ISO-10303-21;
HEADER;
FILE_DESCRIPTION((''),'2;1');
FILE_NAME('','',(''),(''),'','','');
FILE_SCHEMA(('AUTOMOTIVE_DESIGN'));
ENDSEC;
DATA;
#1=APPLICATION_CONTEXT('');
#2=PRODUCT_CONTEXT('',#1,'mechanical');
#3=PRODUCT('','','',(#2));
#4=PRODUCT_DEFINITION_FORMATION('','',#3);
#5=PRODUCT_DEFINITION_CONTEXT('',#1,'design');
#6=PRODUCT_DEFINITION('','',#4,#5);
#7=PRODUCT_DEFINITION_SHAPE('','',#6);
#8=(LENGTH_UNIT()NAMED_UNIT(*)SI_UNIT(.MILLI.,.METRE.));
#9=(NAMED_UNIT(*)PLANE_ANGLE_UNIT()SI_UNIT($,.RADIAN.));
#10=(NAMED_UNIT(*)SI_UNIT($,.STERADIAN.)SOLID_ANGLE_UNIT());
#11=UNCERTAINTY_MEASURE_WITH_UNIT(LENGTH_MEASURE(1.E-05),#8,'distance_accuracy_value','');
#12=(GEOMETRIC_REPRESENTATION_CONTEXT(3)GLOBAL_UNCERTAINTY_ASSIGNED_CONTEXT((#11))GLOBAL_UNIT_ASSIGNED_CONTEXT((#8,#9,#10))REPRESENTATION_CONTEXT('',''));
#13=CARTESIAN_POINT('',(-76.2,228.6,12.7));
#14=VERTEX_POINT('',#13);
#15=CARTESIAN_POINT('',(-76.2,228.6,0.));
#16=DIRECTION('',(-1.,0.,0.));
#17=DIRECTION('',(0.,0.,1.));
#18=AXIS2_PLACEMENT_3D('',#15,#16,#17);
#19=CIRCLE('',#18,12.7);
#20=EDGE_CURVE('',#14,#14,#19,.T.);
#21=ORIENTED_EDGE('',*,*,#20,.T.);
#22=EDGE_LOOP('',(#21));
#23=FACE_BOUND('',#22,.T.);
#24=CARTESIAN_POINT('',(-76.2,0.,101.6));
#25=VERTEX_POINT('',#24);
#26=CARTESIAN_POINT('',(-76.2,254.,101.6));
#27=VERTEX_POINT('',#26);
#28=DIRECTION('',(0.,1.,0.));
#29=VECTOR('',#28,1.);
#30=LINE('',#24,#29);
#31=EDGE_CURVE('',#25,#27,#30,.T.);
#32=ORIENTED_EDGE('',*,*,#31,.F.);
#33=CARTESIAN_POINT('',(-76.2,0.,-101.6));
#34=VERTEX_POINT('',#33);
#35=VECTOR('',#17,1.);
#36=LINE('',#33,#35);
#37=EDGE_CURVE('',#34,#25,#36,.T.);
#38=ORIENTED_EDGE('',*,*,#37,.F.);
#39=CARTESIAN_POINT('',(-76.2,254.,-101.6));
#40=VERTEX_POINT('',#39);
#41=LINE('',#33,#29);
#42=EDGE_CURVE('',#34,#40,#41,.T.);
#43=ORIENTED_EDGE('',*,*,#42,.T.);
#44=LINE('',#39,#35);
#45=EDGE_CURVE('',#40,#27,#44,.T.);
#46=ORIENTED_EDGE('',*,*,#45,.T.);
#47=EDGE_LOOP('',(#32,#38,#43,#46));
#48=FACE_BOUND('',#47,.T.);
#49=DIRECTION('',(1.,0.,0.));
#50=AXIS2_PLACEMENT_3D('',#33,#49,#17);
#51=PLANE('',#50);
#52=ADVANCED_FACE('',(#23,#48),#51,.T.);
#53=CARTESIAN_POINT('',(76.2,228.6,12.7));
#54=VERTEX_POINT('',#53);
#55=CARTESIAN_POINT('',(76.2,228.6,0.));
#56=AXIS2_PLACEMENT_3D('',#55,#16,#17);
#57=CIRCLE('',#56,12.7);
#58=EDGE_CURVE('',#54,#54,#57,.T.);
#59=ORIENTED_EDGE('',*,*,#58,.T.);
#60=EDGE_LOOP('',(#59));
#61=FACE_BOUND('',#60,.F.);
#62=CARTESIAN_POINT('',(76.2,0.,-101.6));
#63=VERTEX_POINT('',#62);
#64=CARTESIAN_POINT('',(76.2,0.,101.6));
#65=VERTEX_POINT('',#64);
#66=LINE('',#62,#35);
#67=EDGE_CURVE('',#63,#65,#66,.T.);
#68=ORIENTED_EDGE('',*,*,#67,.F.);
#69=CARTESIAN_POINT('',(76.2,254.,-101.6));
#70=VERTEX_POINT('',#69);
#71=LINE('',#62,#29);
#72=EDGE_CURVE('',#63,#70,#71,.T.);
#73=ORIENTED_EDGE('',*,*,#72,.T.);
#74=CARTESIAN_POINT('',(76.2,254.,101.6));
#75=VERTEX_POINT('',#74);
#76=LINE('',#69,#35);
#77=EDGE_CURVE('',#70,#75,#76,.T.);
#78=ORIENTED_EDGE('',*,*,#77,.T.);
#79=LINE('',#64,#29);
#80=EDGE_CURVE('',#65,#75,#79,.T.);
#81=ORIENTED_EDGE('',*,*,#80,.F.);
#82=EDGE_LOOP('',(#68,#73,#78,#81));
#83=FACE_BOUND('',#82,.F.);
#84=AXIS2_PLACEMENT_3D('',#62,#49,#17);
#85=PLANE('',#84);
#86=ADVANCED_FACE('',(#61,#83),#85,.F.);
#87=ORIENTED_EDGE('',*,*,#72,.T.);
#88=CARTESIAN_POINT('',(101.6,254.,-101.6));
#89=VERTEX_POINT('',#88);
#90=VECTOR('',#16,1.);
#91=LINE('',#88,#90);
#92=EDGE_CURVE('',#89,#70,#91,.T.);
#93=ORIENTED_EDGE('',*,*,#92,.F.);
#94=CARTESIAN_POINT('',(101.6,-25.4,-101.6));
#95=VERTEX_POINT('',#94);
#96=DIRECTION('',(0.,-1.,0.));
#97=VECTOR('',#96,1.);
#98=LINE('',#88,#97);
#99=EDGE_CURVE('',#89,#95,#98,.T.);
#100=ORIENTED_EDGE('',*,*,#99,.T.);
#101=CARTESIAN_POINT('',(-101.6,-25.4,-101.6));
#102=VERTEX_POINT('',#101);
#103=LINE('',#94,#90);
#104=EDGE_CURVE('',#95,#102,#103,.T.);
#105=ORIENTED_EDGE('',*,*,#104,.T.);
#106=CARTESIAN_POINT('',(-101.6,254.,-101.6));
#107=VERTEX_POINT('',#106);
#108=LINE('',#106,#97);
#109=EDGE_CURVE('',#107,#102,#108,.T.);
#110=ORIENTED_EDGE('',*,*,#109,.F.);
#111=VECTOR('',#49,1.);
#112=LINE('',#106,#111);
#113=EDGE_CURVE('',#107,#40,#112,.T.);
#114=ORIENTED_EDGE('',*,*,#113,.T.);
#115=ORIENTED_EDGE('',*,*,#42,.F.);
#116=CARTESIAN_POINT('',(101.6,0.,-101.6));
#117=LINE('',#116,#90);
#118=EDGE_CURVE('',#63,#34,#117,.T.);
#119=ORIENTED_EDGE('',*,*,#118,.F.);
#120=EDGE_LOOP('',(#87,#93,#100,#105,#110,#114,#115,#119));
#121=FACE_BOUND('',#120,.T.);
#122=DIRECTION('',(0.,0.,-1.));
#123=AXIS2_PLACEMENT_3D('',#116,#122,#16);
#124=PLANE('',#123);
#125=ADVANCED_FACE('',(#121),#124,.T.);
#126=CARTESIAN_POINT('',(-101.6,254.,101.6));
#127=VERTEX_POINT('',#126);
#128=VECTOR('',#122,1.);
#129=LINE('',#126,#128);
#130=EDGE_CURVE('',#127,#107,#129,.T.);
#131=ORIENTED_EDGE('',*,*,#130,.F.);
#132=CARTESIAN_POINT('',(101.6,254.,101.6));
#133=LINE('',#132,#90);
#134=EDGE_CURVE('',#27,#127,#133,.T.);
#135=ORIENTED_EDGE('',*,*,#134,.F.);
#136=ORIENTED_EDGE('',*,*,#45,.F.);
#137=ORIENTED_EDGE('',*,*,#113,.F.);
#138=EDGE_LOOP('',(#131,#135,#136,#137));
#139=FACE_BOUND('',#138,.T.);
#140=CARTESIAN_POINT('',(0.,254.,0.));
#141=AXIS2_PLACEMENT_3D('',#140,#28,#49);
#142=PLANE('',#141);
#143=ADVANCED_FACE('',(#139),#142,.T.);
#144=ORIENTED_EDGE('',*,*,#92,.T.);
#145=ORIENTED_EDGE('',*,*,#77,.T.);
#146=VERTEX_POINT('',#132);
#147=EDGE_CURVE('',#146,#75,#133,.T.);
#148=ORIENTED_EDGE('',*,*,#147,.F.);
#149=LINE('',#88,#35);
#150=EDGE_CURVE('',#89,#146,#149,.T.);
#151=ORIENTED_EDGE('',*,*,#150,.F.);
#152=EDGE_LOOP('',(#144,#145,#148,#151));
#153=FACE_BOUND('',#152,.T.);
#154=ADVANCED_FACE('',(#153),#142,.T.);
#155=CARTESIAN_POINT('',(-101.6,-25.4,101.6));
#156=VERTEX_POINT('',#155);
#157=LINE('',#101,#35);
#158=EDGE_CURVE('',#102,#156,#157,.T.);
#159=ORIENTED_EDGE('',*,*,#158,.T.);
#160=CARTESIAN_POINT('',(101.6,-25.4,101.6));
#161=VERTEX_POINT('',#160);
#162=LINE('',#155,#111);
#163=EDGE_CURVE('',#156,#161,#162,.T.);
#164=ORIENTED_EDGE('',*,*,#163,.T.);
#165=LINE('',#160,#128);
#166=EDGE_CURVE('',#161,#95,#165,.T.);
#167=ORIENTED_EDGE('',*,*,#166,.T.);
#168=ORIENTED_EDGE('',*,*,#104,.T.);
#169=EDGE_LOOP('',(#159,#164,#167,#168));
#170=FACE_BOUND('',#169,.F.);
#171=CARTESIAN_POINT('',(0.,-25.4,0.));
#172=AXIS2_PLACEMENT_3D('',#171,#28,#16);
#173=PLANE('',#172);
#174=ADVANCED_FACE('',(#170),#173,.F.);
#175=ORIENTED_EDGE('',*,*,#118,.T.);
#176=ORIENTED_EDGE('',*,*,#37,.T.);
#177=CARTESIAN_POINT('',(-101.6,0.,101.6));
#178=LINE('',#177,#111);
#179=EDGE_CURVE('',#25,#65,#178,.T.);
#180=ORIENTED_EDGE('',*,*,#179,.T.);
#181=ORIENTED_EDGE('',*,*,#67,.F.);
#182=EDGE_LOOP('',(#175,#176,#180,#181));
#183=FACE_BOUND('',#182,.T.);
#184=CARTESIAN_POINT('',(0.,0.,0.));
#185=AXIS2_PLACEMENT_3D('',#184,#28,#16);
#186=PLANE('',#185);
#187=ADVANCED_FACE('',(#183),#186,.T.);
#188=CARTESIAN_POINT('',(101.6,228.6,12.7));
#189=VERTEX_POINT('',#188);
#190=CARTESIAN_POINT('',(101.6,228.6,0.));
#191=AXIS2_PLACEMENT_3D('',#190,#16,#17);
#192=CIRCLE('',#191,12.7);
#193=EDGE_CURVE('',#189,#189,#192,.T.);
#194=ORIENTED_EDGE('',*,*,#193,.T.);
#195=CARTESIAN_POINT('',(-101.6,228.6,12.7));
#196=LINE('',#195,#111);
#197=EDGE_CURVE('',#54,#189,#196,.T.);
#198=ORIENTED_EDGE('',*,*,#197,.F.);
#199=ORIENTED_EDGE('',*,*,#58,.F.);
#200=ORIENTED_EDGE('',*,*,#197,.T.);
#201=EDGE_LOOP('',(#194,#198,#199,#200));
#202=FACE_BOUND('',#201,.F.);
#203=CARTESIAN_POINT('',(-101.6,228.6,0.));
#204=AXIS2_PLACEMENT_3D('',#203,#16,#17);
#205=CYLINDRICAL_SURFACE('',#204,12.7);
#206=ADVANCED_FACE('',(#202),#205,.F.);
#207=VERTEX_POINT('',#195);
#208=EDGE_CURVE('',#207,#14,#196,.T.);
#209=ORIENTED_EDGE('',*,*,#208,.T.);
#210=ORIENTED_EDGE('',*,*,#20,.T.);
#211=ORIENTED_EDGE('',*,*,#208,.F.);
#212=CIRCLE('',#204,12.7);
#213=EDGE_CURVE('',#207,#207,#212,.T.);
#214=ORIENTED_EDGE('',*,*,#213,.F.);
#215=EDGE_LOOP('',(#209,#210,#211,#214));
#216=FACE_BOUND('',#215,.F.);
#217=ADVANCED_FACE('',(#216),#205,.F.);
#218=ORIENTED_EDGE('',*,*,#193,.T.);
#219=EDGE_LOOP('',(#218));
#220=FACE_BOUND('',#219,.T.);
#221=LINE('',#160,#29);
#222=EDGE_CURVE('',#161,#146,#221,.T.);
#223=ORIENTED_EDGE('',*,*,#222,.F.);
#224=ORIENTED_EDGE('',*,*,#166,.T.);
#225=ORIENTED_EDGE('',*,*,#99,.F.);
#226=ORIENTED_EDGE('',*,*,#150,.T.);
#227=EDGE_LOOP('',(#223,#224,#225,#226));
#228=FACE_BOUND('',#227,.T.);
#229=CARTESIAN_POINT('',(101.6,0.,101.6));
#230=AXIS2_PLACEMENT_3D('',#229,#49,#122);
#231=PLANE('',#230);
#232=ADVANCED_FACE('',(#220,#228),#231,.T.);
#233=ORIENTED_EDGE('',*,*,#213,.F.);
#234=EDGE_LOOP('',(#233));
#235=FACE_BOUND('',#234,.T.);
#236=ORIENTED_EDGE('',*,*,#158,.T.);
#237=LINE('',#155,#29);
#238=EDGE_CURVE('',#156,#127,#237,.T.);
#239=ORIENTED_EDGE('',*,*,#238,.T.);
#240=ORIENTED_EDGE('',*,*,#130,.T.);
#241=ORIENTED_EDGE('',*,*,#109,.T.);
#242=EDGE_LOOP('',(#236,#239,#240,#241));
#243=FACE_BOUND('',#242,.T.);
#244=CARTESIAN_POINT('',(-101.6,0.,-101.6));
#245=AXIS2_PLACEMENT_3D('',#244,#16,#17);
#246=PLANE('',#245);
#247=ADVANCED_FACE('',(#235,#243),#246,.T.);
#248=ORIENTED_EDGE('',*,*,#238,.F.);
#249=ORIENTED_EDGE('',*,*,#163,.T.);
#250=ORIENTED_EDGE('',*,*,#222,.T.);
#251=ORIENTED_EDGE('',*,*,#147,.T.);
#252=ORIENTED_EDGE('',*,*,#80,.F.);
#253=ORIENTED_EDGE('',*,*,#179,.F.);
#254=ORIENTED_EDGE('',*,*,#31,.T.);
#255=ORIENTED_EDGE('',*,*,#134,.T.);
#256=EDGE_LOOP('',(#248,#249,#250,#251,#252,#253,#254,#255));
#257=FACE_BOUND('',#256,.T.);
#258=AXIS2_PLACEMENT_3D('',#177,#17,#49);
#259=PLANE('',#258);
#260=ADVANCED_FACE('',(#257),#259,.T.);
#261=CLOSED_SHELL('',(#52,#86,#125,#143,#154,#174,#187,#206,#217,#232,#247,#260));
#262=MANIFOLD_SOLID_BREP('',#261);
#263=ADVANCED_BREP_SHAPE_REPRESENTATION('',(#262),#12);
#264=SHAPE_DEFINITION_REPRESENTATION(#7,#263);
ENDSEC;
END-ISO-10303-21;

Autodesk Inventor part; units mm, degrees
ref_plane "YZ Plane" through (0, 0, 0) normal (1, 0, 0) x (0, 1, 0)
ref_plane "XZ Plane" through (0, 0, 0) normal (0, 1, 0) x (-1, 0, 0)
ref_plane "XY Plane" through (0, 0, 0) normal (0, 0, 1) x (1, 0, 0)
sketch "Sketch1" plane through (0, 0, 0) normal (0, 1, 0) x (-1, 0, 0)
  line L0 (101.6, 101.6) -> (-101.6, 101.6)
  line L1 (-101.6, 101.6) -> (-101.6, -101.6)
  line L2 (-101.6, -101.6) -> (101.6, -101.6)
  line L3 (101.6, -101.6) -> (101.6, 101.6)
  line L4 (101.6, 101.6) -> (-101.6, -101.6) construction
  line L5 (-101.6, 101.6) -> (101.6, -101.6) construction
  point P0 (0, 0)
  dimension "d0" = 203.2
  dimension "d1" = 203.2
extrude "Extrusion1" add sketch "Sketch1" against normal blind 25.4
sketch "Sketch2" plane through (0, 0, 0) normal (0, 1, 0) x (1, 0, 0)
  line L0 (-101.6, -101.6) -> (-101.6, 101.6) projected
  line L1 (101.6, -101.6) -> (-101.6, -101.6) projected
  line L2 (-101.6, 101.6) -> (-76.2, 101.6)
  line L3 (-76.2, 101.6) -> (-76.2, -101.6)
  line L4 (-76.2, -101.6) -> (-101.6, -101.6)
  line L5 (-101.6, -101.6) -> (-101.6, 101.6)
  line L6 (101.6, 101.6) -> (101.6, -101.6) projected
  line L7 (101.6, 101.6) -> (76.2, 101.6)
  line L8 (76.2, 101.6) -> (76.2, -101.6)
  line L9 (76.2, -101.6) -> (101.6, -101.6)
  line L10 (101.6, -101.6) -> (101.6, 101.6)
  point P0 (0, 0)
  dimension "d4" = 25.4
  dimension "d5" = 25.4
extrude "Extrusion2" add sketch "Sketch2" along normal blind 254
sketch "Sketch3" plane through (-101.6, -25.4, -101.6) normal (-1, 0, 0) x (0, 0, 1)
  circle A0 centre (101.6, 254) radius 12.7
  line L0 (0, 279.4) -> (203.2, 279.4) projected
  point P0 (101.6, 25.4)
  dimension "d8" = 25.4
  dimension "d9" = 25.4
extrude "Extrusion4" cut sketch "Sketch3" against normal through all
properties part number "clutch02-forkBase" material "Wood (Birch)"
